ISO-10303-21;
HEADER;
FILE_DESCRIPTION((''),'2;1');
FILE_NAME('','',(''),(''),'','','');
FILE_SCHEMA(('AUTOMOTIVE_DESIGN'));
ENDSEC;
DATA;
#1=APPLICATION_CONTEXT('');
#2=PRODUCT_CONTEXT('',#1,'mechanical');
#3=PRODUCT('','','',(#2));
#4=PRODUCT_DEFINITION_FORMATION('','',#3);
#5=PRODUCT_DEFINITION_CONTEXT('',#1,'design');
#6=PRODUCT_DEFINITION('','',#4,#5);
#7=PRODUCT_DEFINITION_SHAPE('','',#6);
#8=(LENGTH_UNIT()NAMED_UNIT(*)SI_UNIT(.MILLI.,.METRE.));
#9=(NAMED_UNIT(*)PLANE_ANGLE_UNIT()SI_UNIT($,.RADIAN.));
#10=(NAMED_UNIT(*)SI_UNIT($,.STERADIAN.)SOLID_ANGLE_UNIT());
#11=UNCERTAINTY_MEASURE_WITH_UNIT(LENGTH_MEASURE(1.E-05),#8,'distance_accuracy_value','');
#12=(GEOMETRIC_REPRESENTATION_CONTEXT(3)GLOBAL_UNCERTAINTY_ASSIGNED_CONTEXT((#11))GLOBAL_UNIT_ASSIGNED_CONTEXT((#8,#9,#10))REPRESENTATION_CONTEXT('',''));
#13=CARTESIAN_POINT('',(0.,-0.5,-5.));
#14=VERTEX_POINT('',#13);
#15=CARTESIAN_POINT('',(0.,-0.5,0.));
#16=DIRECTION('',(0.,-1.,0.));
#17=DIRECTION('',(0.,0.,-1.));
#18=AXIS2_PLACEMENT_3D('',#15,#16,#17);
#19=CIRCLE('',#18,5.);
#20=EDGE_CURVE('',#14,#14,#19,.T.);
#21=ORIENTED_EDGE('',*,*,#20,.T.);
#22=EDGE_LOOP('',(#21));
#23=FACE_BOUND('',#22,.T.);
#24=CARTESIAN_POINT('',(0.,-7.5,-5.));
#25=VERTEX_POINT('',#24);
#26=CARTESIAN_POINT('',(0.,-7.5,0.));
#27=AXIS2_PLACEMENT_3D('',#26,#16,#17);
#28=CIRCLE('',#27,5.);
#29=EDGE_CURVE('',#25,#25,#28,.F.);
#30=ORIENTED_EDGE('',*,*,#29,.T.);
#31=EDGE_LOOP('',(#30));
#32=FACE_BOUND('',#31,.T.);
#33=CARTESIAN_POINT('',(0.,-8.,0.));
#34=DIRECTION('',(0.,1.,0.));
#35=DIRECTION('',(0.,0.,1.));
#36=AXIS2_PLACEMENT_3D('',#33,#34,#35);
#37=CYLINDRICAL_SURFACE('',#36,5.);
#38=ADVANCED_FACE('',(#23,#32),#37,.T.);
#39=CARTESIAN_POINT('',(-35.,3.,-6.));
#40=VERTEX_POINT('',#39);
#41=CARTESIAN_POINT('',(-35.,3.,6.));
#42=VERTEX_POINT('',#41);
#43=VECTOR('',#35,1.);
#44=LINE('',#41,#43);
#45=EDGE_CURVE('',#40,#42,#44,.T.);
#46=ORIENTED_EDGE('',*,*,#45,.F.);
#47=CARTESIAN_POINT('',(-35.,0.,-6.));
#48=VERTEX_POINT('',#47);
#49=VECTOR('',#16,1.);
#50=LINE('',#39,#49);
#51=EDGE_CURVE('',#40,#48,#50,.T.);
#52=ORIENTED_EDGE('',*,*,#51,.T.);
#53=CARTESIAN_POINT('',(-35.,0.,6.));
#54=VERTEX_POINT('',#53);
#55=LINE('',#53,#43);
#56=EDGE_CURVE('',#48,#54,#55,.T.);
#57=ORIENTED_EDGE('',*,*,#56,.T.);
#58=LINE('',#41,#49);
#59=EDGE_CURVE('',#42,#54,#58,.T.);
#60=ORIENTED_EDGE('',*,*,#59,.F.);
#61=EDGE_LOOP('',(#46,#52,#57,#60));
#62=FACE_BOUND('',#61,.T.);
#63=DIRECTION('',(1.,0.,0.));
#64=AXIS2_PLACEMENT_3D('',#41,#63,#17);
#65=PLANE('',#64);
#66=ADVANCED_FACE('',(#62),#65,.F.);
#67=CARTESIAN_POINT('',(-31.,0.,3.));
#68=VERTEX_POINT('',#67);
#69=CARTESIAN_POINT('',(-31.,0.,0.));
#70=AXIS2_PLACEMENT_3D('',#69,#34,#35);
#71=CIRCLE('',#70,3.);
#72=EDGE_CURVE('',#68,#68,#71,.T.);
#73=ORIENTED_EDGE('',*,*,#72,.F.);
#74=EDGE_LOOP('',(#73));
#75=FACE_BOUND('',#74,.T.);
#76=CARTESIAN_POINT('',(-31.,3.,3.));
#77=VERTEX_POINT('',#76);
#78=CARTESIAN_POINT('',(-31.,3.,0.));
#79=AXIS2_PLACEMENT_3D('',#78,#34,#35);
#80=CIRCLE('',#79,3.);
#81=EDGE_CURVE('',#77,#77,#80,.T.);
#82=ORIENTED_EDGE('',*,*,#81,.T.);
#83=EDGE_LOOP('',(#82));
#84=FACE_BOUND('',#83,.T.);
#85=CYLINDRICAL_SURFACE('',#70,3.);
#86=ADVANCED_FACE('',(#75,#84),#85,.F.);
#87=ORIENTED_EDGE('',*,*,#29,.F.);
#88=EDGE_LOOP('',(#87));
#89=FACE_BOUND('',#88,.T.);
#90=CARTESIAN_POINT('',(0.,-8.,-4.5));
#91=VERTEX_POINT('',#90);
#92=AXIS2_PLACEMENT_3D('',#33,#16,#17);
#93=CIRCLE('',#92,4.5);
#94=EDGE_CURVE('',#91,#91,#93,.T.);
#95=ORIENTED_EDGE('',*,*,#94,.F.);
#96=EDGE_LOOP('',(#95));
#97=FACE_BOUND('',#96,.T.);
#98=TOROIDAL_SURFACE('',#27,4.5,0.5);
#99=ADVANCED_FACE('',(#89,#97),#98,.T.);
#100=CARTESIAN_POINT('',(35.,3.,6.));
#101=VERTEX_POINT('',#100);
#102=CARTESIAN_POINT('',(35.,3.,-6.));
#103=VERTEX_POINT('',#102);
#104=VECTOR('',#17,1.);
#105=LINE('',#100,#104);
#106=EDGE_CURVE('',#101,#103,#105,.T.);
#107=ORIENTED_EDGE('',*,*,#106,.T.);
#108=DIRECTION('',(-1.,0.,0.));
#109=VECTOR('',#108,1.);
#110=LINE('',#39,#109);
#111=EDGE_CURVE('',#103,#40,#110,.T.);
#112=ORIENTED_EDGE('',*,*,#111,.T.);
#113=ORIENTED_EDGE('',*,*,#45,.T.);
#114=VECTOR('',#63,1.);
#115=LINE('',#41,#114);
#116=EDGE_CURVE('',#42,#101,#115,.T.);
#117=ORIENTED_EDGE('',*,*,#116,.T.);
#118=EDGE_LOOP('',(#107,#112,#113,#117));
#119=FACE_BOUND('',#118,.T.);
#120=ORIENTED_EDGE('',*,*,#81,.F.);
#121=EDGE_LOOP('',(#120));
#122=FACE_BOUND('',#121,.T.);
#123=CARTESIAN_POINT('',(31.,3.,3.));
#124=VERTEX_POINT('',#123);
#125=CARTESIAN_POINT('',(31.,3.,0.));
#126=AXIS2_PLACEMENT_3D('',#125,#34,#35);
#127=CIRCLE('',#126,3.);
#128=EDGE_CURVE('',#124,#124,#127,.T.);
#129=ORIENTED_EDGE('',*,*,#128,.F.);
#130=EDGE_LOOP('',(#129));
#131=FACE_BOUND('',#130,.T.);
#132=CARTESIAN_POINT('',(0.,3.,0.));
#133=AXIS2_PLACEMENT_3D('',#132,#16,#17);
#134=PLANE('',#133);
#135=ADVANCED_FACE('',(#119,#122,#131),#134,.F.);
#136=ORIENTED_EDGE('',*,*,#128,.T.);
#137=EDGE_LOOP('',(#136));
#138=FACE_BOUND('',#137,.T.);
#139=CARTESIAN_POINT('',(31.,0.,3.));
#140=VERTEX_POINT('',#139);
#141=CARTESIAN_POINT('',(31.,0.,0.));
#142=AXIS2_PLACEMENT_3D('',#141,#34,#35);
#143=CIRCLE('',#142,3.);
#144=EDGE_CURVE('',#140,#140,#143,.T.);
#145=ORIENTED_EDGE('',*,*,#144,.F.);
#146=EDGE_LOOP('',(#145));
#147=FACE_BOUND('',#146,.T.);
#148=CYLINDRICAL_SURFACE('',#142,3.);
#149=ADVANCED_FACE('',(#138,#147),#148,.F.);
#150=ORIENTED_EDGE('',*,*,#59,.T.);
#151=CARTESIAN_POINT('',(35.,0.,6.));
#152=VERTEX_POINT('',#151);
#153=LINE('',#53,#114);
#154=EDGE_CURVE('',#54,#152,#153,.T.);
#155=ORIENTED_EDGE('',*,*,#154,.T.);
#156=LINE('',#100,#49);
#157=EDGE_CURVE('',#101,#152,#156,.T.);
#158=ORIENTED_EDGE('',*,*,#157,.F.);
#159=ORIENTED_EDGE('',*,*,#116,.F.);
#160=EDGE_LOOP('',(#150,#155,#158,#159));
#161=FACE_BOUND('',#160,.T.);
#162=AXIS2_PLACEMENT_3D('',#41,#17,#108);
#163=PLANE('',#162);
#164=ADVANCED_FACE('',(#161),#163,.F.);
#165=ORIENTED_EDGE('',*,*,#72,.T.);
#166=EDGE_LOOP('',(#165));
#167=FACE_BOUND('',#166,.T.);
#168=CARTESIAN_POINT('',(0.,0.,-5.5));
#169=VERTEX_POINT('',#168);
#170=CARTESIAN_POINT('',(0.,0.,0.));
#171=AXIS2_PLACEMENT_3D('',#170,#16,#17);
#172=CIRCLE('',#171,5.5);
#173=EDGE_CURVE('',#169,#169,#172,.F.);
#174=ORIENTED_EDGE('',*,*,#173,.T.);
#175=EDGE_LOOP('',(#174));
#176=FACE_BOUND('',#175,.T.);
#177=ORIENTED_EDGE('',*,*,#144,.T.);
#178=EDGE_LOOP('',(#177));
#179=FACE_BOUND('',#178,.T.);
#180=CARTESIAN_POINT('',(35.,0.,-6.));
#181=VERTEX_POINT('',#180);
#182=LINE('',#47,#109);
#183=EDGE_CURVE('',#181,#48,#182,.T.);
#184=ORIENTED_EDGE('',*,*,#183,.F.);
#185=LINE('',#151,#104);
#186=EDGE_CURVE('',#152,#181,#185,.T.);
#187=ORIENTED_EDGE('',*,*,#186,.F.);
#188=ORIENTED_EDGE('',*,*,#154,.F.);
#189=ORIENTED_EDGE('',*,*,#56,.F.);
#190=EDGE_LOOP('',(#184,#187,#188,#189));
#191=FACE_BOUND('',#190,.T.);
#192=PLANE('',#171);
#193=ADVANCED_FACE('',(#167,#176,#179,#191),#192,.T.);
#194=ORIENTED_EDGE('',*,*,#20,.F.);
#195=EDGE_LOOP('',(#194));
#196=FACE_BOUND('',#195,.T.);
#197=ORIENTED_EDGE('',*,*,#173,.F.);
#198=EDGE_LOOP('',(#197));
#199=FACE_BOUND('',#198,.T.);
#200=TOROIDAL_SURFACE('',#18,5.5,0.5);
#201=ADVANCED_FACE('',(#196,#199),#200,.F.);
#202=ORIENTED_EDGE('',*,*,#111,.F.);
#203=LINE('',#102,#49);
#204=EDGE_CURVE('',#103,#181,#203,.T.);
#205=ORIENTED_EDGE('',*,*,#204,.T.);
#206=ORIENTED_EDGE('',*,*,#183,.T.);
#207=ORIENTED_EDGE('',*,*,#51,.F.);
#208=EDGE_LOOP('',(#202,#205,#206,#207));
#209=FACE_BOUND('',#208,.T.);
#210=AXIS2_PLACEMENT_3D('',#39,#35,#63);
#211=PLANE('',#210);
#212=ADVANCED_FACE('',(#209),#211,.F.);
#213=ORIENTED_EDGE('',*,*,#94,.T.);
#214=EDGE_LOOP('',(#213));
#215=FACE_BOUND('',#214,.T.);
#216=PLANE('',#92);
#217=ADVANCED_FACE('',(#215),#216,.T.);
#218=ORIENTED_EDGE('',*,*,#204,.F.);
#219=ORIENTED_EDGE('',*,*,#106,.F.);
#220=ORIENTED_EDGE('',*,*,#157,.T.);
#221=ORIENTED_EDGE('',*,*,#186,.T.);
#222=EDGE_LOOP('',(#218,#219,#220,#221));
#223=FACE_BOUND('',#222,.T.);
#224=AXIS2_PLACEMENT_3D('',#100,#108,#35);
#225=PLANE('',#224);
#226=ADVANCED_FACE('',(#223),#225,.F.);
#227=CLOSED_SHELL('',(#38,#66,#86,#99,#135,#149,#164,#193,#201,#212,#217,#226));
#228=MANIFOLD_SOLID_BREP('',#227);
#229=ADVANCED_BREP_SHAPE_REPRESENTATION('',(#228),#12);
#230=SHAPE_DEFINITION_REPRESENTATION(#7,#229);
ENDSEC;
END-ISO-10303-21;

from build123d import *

# Parameters (mm, degrees)
SKETCH1_W           = 70
SKETCH1_H           = 12
BOSS_EXTRUDE1_DEPTH = 3
SKETCH3_R           = 3
CUT_EXTRUDE1_DEPTH  = 36.637059362
SKETCH4_R           = 5
BOSS_EXTRUDE2_DEPTH = 8
FILLET2_R           = 0.5


with BuildPart() as part:
    # Sketch1 → Boss-Extrude1 (new body)
    with BuildSketch(Plane(origin=(0, 0, 0), x_dir=(1, 0, 0), z_dir=(0, 1, 0))):
        Rectangle(SKETCH1_W, SKETCH1_H)
    extrude(amount=BOSS_EXTRUDE1_DEPTH)

    # Sketch3 → Cut-Extrude1 (cut, through all)
    with BuildSketch(Plane(origin=(0, 3, 0), x_dir=(1, 0, 0), z_dir=(0, 1, 0))):
        with Locations(Location((-31, 0, 0), (0, 0, 270))):
            Circle(SKETCH3_R)
        with Locations(Location((31, 0, 0), (0, 0, 270))):
            Circle(SKETCH3_R)
    extrude(amount=-CUT_EXTRUDE1_DEPTH, mode=Mode.SUBTRACT)

    # Sketch4 → Boss-Extrude2 (add)
    with BuildSketch(Plane.XZ):
        with Locations(Location((0, 0, 0), (0, 0, 270))):
            Circle(SKETCH4_R)
    extrude(amount=BOSS_EXTRUDE2_DEPTH)

    # Fillet2
    fillet2_edges = [part.edges().sort_by_distance(p)[0] for p in [
        (0, 0, 5),
        (0, -8, 5),
    ]]
    fillet(fillet2_edges, radius=FILLET2_R)


solid = part.part
